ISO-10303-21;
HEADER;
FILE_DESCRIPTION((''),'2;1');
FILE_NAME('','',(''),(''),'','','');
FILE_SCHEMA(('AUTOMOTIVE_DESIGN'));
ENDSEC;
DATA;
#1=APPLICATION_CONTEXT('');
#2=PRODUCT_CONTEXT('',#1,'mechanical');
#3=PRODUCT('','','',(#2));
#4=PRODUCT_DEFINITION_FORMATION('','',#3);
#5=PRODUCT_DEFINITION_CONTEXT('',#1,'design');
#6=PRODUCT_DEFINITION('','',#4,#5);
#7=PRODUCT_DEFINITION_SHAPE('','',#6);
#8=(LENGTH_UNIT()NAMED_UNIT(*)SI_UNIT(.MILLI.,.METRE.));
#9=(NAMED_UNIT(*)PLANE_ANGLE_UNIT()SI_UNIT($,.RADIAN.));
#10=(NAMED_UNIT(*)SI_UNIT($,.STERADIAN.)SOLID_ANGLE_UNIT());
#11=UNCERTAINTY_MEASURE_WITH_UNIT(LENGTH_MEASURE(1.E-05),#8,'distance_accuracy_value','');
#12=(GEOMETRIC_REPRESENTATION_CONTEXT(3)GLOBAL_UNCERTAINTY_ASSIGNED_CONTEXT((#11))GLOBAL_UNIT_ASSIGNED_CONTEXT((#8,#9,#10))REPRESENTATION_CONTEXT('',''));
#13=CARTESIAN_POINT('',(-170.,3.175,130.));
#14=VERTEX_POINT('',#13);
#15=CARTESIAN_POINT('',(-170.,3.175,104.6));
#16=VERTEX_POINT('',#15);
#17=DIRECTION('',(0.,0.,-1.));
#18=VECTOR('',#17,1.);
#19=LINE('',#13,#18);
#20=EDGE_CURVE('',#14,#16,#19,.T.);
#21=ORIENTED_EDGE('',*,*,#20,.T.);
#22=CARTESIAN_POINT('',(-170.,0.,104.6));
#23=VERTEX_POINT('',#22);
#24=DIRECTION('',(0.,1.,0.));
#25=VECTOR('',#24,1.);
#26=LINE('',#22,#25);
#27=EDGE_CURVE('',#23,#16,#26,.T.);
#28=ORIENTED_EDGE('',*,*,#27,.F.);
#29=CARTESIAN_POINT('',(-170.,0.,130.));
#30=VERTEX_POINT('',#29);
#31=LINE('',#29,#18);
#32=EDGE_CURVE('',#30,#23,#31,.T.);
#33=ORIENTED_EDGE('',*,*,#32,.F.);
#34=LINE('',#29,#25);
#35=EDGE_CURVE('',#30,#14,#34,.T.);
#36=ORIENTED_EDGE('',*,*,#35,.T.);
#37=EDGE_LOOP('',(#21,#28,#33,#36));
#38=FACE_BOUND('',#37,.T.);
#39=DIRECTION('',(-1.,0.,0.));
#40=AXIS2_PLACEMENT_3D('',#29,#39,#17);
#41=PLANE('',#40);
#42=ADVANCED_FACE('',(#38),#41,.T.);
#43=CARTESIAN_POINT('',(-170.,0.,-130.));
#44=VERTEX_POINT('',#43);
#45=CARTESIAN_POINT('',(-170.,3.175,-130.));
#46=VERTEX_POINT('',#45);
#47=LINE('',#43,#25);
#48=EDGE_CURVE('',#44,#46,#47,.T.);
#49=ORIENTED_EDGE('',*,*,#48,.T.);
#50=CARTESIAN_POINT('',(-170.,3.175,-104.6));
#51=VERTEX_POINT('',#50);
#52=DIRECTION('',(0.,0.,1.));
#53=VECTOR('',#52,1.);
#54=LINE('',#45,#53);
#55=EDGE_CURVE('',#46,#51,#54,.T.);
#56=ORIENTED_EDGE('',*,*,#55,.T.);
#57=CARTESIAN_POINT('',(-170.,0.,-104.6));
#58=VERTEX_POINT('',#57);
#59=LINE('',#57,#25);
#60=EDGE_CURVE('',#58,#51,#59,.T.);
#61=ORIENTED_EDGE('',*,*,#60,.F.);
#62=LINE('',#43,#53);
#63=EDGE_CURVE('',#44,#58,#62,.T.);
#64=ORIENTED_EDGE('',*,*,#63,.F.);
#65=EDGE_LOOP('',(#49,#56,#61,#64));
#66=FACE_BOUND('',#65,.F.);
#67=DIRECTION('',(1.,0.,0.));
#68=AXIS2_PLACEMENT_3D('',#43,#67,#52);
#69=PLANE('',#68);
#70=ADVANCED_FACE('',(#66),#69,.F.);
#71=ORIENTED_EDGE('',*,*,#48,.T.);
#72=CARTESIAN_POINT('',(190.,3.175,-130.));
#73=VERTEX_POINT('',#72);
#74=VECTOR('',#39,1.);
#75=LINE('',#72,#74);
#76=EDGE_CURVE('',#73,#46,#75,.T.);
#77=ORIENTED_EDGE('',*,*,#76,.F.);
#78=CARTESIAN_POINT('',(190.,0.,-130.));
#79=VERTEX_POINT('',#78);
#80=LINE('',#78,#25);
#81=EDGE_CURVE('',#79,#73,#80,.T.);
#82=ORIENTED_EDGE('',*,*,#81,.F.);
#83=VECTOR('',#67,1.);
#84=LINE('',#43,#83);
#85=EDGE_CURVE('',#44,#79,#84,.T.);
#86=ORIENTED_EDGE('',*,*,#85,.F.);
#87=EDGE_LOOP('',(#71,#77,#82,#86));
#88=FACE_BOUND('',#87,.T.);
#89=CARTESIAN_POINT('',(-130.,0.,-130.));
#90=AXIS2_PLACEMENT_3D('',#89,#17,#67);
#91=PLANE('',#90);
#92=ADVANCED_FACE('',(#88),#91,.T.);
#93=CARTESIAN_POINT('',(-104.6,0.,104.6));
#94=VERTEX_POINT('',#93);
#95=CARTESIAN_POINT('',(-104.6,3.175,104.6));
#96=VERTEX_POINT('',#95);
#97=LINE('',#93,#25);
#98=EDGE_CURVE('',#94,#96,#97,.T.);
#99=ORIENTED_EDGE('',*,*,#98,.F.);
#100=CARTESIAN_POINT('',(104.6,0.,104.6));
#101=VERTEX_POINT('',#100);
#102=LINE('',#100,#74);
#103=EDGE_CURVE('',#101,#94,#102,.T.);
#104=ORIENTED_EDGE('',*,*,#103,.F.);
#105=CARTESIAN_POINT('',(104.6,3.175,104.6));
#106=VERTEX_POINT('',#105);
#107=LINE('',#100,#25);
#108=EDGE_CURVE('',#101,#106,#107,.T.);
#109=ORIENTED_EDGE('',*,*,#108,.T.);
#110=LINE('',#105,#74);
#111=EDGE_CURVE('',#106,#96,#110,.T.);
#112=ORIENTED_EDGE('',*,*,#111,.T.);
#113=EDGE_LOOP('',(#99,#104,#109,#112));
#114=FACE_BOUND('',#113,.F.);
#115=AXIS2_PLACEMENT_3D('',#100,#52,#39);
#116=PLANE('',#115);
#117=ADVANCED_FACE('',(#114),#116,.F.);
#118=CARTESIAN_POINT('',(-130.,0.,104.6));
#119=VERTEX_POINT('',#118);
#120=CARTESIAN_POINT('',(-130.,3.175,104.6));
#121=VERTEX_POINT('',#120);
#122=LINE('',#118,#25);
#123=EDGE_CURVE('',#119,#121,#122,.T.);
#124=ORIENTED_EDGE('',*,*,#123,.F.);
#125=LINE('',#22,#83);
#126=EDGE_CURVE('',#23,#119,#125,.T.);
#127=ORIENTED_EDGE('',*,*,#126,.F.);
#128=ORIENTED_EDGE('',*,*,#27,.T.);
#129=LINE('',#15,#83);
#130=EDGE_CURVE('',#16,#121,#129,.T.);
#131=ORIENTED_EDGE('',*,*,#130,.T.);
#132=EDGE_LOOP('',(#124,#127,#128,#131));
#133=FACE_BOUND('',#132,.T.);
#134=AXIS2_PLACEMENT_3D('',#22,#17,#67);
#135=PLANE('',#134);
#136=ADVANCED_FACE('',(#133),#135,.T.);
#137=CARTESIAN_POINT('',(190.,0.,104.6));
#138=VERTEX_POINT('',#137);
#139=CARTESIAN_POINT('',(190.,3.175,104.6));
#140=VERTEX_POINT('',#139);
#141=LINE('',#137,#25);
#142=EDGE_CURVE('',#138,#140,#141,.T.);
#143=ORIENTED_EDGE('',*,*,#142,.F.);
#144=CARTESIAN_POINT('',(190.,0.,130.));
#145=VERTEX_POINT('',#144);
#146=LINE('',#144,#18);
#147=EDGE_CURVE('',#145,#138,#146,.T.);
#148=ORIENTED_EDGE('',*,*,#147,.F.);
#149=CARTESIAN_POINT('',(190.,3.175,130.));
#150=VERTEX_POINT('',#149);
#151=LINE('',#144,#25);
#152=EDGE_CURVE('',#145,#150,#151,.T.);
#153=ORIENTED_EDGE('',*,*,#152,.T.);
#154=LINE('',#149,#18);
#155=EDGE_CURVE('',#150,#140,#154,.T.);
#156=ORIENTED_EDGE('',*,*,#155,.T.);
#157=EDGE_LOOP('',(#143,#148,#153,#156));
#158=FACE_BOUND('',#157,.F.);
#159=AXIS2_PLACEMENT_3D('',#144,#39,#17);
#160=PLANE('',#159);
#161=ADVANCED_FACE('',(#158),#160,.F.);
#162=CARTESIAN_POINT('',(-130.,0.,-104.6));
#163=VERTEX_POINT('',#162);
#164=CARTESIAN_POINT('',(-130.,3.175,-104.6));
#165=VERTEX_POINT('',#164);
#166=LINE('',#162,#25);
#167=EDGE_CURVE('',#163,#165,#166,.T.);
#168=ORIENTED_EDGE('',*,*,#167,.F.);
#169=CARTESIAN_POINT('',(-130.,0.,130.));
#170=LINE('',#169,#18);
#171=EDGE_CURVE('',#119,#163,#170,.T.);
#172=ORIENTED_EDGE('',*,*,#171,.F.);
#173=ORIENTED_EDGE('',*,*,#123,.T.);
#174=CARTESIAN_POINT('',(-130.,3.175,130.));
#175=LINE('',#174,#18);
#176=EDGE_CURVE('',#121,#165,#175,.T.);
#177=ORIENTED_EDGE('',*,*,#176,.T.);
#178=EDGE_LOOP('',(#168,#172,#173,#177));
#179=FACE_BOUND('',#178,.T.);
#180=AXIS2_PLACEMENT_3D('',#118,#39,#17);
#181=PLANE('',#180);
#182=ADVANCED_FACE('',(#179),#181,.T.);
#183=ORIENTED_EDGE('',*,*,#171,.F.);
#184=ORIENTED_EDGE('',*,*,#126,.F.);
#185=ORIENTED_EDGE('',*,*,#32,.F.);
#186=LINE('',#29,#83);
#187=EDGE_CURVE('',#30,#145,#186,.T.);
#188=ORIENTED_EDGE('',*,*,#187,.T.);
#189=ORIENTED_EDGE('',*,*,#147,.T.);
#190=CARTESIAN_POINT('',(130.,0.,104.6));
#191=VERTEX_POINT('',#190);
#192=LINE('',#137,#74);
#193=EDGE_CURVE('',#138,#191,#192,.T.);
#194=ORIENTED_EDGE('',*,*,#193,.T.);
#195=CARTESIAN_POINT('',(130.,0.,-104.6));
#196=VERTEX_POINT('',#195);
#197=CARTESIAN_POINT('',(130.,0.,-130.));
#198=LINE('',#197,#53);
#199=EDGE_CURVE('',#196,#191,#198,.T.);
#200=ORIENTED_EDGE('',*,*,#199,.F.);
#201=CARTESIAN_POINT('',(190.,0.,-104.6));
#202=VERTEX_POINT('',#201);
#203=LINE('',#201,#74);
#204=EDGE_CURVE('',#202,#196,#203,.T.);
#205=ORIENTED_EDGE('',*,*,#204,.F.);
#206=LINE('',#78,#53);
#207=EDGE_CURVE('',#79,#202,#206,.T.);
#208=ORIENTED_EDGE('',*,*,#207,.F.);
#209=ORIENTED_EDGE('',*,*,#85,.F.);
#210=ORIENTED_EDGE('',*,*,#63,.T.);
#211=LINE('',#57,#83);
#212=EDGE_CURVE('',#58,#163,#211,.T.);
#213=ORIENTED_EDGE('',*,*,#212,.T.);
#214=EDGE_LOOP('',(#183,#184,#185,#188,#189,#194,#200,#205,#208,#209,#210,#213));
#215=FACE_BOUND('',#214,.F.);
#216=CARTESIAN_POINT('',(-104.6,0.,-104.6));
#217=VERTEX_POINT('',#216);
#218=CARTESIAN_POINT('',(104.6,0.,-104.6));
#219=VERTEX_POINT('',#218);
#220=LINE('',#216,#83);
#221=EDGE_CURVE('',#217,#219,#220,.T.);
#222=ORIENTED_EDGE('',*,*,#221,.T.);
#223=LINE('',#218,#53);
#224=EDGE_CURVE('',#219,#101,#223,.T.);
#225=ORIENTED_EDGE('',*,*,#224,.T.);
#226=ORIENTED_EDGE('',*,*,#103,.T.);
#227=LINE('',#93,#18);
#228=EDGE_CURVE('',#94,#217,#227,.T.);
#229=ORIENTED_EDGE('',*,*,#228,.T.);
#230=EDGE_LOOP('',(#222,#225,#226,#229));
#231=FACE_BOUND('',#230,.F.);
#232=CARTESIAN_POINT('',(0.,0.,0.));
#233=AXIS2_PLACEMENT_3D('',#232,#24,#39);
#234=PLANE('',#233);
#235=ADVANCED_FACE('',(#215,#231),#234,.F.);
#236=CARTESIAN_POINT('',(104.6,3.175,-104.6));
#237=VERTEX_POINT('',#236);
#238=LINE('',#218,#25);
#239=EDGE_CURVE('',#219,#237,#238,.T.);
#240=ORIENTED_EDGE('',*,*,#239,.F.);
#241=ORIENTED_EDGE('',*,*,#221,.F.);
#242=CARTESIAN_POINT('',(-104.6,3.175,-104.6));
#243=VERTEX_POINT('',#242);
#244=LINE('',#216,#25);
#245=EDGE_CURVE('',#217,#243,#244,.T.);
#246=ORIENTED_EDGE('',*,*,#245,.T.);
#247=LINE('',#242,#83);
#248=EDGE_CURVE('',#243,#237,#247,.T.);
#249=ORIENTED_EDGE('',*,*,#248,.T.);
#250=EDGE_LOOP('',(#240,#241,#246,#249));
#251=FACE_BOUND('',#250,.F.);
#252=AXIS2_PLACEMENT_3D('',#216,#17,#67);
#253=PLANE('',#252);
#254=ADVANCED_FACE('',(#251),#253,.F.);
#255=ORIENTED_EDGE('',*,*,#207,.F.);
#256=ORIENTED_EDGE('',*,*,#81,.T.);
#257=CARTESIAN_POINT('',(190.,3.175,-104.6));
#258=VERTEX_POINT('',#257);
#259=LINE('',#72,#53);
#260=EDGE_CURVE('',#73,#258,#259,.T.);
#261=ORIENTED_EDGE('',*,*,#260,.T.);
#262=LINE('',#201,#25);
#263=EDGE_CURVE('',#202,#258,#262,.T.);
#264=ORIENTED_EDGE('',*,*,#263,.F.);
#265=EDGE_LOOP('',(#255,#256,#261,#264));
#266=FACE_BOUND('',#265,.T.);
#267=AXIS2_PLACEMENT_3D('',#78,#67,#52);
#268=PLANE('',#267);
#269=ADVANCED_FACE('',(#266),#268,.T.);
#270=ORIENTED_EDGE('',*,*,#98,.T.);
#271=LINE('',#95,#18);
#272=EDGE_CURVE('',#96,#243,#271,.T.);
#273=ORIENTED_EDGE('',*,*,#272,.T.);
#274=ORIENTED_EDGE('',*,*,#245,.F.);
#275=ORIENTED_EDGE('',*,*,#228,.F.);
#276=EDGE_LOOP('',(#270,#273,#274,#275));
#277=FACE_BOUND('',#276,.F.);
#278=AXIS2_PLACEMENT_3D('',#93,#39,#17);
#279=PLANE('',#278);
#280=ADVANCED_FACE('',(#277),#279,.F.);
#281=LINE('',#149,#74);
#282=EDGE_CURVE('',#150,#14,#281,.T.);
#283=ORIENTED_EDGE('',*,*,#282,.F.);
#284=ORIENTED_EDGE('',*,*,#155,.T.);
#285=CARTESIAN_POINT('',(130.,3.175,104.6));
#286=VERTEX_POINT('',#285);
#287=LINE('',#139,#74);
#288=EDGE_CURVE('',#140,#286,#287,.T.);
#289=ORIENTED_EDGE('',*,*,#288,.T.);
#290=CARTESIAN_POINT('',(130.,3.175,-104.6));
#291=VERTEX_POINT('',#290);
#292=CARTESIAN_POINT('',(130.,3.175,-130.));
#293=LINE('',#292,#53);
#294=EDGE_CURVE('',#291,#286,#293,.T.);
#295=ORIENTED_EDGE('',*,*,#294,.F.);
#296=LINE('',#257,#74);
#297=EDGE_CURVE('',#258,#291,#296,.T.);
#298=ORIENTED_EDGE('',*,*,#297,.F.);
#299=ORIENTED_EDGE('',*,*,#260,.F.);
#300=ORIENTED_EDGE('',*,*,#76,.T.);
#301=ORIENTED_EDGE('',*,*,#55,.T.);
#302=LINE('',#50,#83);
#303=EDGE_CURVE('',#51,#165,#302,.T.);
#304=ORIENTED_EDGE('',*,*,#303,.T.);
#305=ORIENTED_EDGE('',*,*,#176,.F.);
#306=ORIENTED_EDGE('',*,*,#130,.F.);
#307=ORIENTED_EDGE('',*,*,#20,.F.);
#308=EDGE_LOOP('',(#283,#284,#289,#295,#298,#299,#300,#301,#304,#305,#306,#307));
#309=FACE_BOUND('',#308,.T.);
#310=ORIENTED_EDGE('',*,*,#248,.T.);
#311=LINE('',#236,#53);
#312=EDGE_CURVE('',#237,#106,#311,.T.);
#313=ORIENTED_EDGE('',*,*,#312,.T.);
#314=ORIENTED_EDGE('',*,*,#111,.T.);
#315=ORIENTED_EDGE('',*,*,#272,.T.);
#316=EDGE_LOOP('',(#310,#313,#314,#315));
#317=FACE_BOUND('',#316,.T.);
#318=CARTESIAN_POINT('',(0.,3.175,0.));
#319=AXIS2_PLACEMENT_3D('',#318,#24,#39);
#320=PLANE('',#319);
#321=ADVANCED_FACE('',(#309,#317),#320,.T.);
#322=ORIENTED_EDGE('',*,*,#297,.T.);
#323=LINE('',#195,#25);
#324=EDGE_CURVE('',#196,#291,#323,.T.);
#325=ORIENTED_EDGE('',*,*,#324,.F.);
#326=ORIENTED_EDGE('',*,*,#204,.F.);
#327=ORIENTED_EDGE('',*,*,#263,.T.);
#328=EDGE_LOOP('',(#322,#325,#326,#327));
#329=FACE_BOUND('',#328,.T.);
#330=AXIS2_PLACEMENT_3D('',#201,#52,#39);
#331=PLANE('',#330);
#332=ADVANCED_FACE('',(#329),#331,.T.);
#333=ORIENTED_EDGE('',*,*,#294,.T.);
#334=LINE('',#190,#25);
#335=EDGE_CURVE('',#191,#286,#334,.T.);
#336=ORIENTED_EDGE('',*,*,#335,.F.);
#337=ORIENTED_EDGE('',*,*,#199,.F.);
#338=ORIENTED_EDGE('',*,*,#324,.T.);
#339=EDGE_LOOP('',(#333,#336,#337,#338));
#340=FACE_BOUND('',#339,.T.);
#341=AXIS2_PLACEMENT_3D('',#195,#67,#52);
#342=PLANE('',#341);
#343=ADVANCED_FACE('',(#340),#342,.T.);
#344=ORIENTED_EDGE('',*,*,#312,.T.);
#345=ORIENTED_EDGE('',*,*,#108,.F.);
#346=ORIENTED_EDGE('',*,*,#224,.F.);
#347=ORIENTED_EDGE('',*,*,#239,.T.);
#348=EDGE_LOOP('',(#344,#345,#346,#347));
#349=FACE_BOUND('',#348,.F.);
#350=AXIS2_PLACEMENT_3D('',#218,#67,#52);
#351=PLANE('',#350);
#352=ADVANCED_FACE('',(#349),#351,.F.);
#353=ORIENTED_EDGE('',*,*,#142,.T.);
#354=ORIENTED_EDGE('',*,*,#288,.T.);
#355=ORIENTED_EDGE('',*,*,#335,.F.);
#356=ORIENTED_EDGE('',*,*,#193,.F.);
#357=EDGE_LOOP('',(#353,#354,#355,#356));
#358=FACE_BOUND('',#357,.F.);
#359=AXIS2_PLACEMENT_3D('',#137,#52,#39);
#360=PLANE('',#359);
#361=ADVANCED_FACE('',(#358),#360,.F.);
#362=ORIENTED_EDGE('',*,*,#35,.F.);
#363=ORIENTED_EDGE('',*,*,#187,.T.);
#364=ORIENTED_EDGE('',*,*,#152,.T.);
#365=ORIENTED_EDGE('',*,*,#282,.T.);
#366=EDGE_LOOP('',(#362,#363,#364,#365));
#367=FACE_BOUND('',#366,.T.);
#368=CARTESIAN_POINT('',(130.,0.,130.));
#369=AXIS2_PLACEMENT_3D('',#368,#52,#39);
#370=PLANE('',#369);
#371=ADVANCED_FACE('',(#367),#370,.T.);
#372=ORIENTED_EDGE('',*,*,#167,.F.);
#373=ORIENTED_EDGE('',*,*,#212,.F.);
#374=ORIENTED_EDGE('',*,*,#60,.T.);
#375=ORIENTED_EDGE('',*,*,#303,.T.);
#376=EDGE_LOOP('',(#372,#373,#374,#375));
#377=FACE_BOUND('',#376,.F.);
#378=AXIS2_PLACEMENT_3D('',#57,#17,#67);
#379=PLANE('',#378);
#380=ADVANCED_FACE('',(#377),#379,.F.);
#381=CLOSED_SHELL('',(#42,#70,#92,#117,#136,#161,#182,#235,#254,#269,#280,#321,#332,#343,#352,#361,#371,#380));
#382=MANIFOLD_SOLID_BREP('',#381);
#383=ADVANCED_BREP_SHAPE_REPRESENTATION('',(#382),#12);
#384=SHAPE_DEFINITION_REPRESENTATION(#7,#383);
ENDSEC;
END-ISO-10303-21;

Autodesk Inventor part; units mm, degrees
ref_plane "YZ Plane" through (0, 0, 0) normal (1, 0, 0) x (0, 1, 0)
ref_plane "XZ Plane" through (0, 0, 0) normal (0, 1, 0) x (-1, 0, 0)
ref_plane "XY Plane" through (0, 0, 0) normal (0, 0, 1) x (1, 0, 0)
sketch "Sketch1" plane through (0, 0, 0) normal (0, 1, 0) x (-1, 0, 0)
  line L0 (-130, 130) -> (130, 130)
  line L1 (130, 130) -> (130, -130)
  line L2 (130, -130) -> (-130, -130)
  line L3 (-130, -130) -> (-130, 130)
  line L4 (-130, 130) -> (130, -130) construction
  line L5 (130, 130) -> (-130, -130) construction
  line L6 (-104.6, 104.6) -> (104.6, 104.6)
  line L7 (104.6, 104.6) -> (104.6, -104.6)
  line L8 (104.6, -104.6) -> (-104.6, -104.6)
  line L9 (-104.6, -104.6) -> (-104.6, 104.6)
  line L10 (-104.6, 104.6) -> (104.6, -104.6) construction
  line L11 (104.6, 104.6) -> (-104.6, -104.6) construction
  line L12 (130, 130) -> (170, 130)
  line L13 (170, 130) -> (170, 104.6)
  line L14 (170, 104.6) -> (130, 104.6)
  line L15 (130, 104.6) -> (130, 130)
  line L16 (130, -130) -> (170, -130)
  line L17 (170, -130) -> (170, -104.6)
  line L18 (170, -104.6) -> (130, -104.6)
  line L19 (130, -104.6) -> (130, -130)
  line L20 (-130, -130) -> (-190, -130)
  line L21 (-190, -130) -> (-190, -104.6)
  line L22 (-190, -104.6) -> (-130, -104.6)
  line L23 (-130, -104.6) -> (-130, -130)
  line L24 (-130, 130) -> (-190, 130)
  line L25 (-190, 130) -> (-190, 104.6)
  line L26 (-190, 104.6) -> (-130, 104.6)
  line L27 (-130, 104.6) -> (-130, 130)
  point P0 (0, 0)
  dimension "d0" = 260
  dimension "d1" = 260
  dimension "d2" = 25.4
  dimension "d3" = 40
  dimension "d6" = 60
extrude "Extrusion1" add sketch "Sketch1" along normal blind 3.175
equation "\"BendRadius\" = Thickness"
equation "\"BendReliefWidth\" = Thickness"
equation "\"BendReliefDepth\" = 0.5 * Thickness"
equation "\"CornerReliefSize\" = 4 * Thickness"
equation "\"MinimumRemnant\" = 2 * Thickness"
equation "\"TransitionRadius\" = BendRadius"
equation "\"JacobiRadiusSize\" = BendRadius"
equation "\"GapSize\" = Thickness"
equation "\"Thickness\" = 3.048"
properties part number "Metal2"
